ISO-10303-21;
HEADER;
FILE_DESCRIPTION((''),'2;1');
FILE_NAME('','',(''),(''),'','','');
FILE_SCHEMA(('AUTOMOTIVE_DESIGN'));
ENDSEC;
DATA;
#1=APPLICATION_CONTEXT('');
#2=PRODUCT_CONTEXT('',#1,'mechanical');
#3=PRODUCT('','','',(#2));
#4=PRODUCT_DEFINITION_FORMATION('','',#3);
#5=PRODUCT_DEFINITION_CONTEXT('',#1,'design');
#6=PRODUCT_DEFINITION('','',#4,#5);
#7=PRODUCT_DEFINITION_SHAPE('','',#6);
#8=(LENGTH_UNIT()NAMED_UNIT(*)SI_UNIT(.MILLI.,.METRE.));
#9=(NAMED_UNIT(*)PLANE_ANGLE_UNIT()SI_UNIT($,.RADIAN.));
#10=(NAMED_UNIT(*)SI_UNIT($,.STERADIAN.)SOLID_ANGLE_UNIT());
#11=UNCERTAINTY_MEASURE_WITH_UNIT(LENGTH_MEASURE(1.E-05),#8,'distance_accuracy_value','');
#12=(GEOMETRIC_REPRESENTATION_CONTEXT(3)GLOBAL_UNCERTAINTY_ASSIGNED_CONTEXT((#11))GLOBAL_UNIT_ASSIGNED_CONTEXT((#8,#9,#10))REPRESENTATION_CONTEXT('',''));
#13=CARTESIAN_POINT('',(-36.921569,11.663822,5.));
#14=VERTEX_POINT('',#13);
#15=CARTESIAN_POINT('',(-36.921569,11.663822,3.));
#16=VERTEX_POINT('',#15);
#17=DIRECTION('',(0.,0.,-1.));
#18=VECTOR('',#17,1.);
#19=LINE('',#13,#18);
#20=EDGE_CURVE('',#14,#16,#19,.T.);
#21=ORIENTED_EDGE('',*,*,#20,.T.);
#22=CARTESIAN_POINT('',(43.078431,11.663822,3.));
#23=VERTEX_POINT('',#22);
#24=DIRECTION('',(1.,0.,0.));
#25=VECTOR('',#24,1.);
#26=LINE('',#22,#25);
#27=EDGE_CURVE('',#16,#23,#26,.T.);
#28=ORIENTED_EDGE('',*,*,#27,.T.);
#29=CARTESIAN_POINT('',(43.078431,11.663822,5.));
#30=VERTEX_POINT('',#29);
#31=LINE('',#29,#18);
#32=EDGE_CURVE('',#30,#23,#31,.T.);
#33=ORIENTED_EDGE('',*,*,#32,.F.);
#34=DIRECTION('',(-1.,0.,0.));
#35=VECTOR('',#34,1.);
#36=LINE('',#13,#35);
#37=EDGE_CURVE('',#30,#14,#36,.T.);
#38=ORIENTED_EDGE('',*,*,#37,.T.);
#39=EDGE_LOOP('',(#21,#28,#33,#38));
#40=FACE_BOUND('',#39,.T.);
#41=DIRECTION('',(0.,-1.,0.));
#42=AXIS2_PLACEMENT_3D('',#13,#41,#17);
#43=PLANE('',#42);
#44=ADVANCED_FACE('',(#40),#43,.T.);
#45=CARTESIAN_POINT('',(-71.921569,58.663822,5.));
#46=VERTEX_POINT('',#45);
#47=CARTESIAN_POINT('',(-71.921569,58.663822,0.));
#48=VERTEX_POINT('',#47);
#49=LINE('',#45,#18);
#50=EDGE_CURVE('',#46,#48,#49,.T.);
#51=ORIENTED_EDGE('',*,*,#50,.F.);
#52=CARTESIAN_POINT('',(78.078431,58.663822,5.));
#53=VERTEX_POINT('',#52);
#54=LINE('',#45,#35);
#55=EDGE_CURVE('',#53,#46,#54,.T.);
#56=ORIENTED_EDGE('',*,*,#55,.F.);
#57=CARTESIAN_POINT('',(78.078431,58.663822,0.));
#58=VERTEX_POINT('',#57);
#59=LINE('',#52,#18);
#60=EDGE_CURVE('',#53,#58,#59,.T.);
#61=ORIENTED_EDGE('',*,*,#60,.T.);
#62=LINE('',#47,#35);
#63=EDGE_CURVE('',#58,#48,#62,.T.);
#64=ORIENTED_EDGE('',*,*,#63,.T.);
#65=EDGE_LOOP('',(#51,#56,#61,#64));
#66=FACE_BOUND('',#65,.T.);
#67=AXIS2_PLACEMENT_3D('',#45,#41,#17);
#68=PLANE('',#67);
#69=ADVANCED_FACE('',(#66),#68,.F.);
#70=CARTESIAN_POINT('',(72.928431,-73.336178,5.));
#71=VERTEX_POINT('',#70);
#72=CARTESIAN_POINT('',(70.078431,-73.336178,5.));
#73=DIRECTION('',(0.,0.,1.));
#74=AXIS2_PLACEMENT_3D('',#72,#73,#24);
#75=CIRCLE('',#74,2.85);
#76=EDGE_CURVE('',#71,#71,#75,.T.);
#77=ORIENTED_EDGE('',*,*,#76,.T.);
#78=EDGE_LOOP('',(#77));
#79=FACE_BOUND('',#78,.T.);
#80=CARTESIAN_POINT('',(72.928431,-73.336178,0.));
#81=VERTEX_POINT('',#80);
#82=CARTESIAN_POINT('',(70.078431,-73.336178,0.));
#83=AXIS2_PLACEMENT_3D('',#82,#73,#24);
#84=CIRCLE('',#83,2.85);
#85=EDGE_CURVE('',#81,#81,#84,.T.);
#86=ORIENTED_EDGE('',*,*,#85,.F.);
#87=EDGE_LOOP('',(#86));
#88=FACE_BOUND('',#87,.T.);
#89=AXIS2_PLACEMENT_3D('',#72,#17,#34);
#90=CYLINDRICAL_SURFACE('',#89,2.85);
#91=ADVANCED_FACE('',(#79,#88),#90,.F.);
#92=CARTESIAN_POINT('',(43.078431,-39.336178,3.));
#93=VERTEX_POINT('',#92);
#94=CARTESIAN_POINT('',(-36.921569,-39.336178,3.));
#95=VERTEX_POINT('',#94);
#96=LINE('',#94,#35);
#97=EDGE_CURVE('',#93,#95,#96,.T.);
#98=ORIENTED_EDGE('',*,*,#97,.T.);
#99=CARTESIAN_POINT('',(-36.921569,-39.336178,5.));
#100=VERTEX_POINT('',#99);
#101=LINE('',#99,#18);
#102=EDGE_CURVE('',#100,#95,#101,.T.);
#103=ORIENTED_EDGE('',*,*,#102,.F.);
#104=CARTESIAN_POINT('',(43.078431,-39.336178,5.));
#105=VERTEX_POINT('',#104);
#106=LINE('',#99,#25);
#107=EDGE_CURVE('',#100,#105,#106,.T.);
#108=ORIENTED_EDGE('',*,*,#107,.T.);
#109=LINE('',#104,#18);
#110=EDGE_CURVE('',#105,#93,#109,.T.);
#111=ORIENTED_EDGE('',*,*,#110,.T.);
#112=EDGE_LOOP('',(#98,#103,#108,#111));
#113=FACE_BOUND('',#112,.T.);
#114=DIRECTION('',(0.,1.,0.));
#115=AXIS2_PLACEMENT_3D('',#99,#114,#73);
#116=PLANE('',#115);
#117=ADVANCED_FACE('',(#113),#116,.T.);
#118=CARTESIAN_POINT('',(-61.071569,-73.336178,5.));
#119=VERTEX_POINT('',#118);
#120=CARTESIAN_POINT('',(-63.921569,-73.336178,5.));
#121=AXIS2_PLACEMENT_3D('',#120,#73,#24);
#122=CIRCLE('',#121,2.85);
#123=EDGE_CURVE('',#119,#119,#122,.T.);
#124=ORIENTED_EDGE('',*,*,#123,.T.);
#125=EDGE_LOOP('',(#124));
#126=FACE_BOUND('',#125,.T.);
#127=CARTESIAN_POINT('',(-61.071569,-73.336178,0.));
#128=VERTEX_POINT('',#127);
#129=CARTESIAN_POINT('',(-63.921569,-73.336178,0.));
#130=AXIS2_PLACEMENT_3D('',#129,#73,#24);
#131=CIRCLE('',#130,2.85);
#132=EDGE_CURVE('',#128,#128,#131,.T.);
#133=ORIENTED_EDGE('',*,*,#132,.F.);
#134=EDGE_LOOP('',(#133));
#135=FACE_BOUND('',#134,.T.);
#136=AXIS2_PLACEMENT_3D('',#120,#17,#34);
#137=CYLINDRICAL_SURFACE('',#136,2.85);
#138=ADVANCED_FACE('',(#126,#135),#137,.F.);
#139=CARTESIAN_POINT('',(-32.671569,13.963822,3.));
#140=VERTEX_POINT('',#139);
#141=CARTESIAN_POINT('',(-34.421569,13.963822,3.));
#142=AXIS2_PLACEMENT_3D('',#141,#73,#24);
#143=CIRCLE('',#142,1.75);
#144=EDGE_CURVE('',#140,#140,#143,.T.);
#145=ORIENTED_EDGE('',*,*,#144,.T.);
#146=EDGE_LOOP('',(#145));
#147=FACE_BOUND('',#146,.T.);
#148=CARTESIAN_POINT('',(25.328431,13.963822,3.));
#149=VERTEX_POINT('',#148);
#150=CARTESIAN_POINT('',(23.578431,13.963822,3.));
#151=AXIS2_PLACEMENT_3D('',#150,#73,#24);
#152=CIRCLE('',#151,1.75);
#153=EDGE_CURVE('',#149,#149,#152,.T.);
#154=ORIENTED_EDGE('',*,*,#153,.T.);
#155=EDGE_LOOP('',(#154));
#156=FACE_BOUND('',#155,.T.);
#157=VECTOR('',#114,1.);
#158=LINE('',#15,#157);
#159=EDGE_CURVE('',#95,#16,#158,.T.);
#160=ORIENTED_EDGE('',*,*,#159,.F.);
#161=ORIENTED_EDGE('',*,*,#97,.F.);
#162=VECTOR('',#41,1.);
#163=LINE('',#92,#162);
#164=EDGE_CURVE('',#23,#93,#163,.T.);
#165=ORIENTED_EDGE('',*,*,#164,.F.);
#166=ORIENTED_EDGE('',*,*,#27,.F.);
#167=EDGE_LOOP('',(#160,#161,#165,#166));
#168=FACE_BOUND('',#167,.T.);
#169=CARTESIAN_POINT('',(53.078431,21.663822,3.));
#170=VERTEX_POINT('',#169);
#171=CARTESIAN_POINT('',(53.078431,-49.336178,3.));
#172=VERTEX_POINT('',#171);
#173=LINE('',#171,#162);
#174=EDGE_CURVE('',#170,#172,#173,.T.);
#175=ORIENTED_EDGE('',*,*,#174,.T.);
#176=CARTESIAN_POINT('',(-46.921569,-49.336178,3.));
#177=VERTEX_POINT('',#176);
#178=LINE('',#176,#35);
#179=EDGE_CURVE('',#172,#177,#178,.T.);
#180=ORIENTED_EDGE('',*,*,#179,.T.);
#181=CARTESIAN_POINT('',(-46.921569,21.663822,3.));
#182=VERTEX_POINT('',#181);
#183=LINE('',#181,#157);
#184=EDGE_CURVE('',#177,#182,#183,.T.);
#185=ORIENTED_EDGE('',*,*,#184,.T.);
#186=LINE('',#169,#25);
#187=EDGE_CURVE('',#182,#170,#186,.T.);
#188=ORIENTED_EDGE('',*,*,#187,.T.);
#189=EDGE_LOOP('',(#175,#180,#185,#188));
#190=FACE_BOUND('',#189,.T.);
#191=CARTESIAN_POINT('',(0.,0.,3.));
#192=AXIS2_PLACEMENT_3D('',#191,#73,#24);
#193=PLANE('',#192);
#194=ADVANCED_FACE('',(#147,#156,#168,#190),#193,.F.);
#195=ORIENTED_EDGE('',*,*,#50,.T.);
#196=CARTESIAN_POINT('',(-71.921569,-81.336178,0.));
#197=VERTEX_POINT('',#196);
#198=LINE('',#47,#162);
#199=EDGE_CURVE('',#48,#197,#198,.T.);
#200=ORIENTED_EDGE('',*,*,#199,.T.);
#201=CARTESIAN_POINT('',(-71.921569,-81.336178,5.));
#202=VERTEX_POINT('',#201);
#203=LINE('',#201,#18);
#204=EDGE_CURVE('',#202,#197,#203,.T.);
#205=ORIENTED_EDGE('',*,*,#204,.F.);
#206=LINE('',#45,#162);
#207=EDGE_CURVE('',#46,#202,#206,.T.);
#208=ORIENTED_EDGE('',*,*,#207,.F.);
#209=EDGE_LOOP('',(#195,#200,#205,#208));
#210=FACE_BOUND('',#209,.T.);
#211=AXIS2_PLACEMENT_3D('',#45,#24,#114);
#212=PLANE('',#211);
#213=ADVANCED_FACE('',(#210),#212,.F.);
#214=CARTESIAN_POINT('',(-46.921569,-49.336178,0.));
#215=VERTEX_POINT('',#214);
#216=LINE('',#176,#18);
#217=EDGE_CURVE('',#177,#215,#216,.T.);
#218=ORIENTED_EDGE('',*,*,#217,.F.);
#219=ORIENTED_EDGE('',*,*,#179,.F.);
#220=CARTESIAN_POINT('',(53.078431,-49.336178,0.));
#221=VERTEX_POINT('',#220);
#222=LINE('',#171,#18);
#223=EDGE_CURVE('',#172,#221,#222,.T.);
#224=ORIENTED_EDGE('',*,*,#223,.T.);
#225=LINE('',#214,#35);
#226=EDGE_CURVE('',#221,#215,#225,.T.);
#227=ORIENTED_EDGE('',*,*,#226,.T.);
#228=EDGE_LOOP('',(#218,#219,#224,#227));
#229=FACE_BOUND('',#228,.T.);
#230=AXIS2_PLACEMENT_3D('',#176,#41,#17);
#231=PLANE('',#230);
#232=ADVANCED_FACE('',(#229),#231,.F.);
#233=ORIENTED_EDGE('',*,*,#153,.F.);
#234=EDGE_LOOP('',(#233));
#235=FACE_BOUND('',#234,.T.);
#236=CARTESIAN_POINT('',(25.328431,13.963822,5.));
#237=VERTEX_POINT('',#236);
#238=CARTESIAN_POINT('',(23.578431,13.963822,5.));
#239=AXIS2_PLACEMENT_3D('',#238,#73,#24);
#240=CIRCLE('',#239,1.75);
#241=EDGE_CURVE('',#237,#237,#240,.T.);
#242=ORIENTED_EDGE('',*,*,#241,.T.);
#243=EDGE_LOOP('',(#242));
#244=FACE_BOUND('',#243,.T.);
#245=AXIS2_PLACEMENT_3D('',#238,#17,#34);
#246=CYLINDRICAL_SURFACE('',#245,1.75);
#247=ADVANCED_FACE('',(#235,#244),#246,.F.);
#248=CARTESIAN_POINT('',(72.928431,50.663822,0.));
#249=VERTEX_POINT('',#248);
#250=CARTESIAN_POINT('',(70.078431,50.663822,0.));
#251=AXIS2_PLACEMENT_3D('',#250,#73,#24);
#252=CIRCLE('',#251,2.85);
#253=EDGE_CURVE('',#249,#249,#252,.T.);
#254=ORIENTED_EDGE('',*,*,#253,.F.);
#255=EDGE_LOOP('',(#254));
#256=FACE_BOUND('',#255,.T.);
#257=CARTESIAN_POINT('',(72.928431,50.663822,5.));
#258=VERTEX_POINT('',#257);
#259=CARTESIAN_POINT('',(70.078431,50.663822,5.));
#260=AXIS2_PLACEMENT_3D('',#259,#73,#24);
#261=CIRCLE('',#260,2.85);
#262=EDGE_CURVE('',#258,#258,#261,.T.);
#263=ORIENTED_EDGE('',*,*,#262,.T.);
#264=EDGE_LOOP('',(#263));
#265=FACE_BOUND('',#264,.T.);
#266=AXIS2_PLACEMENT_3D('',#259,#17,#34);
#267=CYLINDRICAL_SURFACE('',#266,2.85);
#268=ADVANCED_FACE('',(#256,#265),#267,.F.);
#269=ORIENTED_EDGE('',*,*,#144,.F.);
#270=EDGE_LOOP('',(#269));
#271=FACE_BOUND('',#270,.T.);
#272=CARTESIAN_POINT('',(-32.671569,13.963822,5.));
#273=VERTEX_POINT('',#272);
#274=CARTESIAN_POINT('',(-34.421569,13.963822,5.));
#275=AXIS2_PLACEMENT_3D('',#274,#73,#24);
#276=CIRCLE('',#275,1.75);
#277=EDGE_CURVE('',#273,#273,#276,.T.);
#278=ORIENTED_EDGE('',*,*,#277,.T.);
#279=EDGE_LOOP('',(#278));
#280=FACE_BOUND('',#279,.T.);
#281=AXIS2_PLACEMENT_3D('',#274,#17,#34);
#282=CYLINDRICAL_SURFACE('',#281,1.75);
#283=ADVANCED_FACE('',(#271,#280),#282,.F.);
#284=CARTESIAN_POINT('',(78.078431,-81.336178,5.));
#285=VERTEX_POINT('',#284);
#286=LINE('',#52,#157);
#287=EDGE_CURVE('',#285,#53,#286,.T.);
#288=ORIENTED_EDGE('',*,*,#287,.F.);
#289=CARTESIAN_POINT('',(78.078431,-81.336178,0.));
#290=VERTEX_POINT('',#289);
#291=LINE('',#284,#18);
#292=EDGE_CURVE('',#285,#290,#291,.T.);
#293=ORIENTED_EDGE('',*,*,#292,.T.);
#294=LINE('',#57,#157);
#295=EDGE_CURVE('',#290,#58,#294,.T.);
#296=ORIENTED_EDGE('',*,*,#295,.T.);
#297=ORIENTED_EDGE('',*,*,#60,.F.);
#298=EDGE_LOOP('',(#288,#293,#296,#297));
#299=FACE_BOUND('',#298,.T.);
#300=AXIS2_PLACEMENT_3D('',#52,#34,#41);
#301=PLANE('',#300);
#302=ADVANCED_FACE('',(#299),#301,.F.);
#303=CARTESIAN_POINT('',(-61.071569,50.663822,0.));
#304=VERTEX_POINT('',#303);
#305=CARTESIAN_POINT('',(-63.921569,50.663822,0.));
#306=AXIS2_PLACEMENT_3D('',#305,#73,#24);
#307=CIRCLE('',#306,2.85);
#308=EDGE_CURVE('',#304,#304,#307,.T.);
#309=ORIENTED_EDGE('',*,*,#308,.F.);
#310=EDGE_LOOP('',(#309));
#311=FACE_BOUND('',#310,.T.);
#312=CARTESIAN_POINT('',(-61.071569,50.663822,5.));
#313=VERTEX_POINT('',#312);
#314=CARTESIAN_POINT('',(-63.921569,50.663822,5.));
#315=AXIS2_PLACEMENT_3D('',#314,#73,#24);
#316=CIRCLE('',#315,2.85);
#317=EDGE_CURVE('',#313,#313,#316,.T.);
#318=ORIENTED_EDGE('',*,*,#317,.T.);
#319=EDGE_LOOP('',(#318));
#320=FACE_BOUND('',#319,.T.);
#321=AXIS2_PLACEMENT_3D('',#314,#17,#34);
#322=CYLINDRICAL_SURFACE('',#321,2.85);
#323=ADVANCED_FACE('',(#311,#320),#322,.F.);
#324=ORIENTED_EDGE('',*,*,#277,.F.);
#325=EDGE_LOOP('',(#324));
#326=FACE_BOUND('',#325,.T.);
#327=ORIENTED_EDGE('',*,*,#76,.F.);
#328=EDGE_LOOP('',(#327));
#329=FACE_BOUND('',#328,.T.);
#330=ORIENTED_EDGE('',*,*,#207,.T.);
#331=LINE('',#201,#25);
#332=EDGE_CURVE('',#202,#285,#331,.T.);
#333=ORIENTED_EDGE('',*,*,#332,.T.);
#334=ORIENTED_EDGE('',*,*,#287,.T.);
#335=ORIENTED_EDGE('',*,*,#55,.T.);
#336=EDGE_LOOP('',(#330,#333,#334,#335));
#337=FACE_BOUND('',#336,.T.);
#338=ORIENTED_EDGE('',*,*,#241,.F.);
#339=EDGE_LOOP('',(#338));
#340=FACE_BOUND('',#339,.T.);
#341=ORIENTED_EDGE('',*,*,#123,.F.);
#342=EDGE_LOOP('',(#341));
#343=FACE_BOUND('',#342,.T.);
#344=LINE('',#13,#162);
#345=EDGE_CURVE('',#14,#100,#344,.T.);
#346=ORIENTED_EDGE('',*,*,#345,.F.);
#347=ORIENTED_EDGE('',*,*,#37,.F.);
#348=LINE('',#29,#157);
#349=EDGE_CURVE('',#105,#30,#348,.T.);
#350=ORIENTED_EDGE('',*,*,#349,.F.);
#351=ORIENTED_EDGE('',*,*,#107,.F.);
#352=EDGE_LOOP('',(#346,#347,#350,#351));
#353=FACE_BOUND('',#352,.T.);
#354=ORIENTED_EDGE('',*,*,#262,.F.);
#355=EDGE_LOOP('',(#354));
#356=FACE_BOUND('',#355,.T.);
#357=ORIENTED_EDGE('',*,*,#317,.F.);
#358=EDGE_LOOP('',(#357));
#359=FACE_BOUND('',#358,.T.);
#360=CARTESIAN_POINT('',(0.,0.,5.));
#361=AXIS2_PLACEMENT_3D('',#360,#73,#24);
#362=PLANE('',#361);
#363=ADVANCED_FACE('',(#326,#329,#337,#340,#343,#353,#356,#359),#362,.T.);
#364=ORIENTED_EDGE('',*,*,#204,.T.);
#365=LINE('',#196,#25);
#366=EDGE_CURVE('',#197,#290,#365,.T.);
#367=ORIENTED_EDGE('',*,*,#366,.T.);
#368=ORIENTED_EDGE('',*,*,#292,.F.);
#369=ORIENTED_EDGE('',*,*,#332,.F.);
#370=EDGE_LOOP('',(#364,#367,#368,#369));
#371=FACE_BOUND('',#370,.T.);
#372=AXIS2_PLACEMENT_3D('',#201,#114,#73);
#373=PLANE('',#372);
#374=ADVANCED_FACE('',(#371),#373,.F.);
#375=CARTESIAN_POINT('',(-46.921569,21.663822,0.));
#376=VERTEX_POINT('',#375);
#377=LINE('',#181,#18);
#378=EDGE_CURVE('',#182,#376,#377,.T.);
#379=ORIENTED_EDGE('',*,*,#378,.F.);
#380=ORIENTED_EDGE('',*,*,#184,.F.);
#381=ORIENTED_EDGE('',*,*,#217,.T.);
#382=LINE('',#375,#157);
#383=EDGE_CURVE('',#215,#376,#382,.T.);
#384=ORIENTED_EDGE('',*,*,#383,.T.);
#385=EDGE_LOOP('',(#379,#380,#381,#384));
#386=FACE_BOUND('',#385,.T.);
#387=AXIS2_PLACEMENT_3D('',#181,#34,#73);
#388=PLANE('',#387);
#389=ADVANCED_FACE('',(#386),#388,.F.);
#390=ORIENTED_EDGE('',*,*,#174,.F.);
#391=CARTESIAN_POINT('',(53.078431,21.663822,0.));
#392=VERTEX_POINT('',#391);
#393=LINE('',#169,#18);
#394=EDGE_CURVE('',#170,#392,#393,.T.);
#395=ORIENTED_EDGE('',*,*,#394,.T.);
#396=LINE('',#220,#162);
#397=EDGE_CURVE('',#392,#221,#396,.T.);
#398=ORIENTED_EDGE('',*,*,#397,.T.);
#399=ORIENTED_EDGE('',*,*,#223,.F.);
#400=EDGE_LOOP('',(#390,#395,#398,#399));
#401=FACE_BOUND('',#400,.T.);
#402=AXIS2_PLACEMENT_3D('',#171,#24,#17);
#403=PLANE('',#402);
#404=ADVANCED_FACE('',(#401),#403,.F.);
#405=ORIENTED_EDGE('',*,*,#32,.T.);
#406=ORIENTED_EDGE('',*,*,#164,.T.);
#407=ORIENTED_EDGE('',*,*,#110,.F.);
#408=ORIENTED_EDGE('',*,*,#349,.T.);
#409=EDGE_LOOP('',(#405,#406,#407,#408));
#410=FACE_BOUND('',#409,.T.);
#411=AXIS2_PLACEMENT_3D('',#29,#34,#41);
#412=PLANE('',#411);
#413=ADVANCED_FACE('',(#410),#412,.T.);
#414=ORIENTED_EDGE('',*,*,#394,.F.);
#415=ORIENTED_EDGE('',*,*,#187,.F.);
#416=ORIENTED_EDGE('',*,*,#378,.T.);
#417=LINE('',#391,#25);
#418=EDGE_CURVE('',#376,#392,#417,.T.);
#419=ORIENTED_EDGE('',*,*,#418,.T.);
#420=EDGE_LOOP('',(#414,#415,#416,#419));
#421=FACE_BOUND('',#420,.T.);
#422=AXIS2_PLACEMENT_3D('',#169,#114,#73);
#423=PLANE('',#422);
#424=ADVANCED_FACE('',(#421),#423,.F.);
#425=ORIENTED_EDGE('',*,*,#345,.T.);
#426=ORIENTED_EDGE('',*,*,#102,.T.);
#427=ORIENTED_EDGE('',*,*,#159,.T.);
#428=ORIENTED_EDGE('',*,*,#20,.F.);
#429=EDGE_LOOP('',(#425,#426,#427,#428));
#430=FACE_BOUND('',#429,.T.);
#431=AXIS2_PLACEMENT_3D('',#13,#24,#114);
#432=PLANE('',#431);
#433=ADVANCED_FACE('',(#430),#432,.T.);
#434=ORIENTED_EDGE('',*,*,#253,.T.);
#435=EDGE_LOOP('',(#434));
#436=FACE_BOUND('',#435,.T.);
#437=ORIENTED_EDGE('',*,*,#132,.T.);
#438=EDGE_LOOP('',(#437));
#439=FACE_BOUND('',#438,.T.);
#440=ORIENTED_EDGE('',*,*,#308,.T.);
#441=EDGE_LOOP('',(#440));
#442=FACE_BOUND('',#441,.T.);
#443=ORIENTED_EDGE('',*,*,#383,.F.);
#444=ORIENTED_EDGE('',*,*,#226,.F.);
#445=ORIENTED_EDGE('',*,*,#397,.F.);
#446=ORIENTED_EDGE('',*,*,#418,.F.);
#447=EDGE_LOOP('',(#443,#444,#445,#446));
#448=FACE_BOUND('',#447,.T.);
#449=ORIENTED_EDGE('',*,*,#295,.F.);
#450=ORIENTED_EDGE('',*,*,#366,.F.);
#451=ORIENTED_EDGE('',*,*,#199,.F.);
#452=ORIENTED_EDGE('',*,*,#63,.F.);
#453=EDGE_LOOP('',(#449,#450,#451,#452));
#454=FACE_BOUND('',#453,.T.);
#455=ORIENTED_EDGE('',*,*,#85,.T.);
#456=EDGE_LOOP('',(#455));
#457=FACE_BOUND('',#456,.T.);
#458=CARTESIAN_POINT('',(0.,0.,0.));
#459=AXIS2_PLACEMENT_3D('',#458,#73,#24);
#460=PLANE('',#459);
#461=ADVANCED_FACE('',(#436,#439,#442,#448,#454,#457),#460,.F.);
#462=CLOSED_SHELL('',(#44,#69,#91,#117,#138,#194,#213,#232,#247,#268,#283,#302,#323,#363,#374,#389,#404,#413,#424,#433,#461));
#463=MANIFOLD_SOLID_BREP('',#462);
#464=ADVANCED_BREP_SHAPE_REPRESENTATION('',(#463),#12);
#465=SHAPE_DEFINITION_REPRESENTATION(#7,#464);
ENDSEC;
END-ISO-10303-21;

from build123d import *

# Parameters (mm, degrees)
SKETCH1_W           = 150
SKETCH1_H           = 140
SKETCH1_R           = 2.85
SKETCH1_R_2         = 1.75
SKETCH1_W_2         = 80
SKETCH1_H_2         = 51
BOSS_EXTRUDE1_DEPTH = 5
SKETCH2_W           = 100
SKETCH2_H           = 71
SKETCH2_W_2         = 80
SKETCH2_H_2         = 51
CUT_EXTRUDE1_DEPTH  = 3


with BuildPart() as part:
    # Sketch1 → Boss-Extrude1 (new body)
    with BuildSketch(Plane.XY):
        with Locations((3.078431373, -11.336177597)):
            Rectangle(SKETCH1_W, SKETCH1_H)
        with Locations((70.078431373, -73.336177597)):
            Circle(SKETCH1_R, mode=Mode.SUBTRACT)
        with Locations((-63.921568627, -73.336177597)):
            Circle(SKETCH1_R, mode=Mode.SUBTRACT)
        with Locations((-63.921568627, 50.663822403)):
            Circle(SKETCH1_R, mode=Mode.SUBTRACT)
        with Locations((70.078431373, 50.663822403)):
            Circle(SKETCH1_R, mode=Mode.SUBTRACT)
        with Locations((-34.421568627, 13.963822403)):
            Circle(SKETCH1_R_2, mode=Mode.SUBTRACT)
        with Locations((23.578431373, 13.963822403)):
            Circle(SKETCH1_R_2, mode=Mode.SUBTRACT)
        with Locations((3.078431373, -13.836177597)):
            Rectangle(SKETCH1_W_2, SKETCH1_H_2, mode=Mode.SUBTRACT)
    extrude(amount=BOSS_EXTRUDE1_DEPTH)

    # Sketch2 → Cut-Extrude1 (cut)
    with BuildSketch(Plane(origin=(0, 0, 0), x_dir=(-1, 0, 0), z_dir=(0, 0, -1))):
        with Locations((-3.078431373, -13.836177597)):
            Rectangle(SKETCH2_W, SKETCH2_H)
        with Locations((-3.078431373, -13.836177597)):
            Rectangle(SKETCH2_W_2, SKETCH2_H_2, mode=Mode.SUBTRACT)
    extrude(amount=-CUT_EXTRUDE1_DEPTH, mode=Mode.SUBTRACT)


solid = part.part
